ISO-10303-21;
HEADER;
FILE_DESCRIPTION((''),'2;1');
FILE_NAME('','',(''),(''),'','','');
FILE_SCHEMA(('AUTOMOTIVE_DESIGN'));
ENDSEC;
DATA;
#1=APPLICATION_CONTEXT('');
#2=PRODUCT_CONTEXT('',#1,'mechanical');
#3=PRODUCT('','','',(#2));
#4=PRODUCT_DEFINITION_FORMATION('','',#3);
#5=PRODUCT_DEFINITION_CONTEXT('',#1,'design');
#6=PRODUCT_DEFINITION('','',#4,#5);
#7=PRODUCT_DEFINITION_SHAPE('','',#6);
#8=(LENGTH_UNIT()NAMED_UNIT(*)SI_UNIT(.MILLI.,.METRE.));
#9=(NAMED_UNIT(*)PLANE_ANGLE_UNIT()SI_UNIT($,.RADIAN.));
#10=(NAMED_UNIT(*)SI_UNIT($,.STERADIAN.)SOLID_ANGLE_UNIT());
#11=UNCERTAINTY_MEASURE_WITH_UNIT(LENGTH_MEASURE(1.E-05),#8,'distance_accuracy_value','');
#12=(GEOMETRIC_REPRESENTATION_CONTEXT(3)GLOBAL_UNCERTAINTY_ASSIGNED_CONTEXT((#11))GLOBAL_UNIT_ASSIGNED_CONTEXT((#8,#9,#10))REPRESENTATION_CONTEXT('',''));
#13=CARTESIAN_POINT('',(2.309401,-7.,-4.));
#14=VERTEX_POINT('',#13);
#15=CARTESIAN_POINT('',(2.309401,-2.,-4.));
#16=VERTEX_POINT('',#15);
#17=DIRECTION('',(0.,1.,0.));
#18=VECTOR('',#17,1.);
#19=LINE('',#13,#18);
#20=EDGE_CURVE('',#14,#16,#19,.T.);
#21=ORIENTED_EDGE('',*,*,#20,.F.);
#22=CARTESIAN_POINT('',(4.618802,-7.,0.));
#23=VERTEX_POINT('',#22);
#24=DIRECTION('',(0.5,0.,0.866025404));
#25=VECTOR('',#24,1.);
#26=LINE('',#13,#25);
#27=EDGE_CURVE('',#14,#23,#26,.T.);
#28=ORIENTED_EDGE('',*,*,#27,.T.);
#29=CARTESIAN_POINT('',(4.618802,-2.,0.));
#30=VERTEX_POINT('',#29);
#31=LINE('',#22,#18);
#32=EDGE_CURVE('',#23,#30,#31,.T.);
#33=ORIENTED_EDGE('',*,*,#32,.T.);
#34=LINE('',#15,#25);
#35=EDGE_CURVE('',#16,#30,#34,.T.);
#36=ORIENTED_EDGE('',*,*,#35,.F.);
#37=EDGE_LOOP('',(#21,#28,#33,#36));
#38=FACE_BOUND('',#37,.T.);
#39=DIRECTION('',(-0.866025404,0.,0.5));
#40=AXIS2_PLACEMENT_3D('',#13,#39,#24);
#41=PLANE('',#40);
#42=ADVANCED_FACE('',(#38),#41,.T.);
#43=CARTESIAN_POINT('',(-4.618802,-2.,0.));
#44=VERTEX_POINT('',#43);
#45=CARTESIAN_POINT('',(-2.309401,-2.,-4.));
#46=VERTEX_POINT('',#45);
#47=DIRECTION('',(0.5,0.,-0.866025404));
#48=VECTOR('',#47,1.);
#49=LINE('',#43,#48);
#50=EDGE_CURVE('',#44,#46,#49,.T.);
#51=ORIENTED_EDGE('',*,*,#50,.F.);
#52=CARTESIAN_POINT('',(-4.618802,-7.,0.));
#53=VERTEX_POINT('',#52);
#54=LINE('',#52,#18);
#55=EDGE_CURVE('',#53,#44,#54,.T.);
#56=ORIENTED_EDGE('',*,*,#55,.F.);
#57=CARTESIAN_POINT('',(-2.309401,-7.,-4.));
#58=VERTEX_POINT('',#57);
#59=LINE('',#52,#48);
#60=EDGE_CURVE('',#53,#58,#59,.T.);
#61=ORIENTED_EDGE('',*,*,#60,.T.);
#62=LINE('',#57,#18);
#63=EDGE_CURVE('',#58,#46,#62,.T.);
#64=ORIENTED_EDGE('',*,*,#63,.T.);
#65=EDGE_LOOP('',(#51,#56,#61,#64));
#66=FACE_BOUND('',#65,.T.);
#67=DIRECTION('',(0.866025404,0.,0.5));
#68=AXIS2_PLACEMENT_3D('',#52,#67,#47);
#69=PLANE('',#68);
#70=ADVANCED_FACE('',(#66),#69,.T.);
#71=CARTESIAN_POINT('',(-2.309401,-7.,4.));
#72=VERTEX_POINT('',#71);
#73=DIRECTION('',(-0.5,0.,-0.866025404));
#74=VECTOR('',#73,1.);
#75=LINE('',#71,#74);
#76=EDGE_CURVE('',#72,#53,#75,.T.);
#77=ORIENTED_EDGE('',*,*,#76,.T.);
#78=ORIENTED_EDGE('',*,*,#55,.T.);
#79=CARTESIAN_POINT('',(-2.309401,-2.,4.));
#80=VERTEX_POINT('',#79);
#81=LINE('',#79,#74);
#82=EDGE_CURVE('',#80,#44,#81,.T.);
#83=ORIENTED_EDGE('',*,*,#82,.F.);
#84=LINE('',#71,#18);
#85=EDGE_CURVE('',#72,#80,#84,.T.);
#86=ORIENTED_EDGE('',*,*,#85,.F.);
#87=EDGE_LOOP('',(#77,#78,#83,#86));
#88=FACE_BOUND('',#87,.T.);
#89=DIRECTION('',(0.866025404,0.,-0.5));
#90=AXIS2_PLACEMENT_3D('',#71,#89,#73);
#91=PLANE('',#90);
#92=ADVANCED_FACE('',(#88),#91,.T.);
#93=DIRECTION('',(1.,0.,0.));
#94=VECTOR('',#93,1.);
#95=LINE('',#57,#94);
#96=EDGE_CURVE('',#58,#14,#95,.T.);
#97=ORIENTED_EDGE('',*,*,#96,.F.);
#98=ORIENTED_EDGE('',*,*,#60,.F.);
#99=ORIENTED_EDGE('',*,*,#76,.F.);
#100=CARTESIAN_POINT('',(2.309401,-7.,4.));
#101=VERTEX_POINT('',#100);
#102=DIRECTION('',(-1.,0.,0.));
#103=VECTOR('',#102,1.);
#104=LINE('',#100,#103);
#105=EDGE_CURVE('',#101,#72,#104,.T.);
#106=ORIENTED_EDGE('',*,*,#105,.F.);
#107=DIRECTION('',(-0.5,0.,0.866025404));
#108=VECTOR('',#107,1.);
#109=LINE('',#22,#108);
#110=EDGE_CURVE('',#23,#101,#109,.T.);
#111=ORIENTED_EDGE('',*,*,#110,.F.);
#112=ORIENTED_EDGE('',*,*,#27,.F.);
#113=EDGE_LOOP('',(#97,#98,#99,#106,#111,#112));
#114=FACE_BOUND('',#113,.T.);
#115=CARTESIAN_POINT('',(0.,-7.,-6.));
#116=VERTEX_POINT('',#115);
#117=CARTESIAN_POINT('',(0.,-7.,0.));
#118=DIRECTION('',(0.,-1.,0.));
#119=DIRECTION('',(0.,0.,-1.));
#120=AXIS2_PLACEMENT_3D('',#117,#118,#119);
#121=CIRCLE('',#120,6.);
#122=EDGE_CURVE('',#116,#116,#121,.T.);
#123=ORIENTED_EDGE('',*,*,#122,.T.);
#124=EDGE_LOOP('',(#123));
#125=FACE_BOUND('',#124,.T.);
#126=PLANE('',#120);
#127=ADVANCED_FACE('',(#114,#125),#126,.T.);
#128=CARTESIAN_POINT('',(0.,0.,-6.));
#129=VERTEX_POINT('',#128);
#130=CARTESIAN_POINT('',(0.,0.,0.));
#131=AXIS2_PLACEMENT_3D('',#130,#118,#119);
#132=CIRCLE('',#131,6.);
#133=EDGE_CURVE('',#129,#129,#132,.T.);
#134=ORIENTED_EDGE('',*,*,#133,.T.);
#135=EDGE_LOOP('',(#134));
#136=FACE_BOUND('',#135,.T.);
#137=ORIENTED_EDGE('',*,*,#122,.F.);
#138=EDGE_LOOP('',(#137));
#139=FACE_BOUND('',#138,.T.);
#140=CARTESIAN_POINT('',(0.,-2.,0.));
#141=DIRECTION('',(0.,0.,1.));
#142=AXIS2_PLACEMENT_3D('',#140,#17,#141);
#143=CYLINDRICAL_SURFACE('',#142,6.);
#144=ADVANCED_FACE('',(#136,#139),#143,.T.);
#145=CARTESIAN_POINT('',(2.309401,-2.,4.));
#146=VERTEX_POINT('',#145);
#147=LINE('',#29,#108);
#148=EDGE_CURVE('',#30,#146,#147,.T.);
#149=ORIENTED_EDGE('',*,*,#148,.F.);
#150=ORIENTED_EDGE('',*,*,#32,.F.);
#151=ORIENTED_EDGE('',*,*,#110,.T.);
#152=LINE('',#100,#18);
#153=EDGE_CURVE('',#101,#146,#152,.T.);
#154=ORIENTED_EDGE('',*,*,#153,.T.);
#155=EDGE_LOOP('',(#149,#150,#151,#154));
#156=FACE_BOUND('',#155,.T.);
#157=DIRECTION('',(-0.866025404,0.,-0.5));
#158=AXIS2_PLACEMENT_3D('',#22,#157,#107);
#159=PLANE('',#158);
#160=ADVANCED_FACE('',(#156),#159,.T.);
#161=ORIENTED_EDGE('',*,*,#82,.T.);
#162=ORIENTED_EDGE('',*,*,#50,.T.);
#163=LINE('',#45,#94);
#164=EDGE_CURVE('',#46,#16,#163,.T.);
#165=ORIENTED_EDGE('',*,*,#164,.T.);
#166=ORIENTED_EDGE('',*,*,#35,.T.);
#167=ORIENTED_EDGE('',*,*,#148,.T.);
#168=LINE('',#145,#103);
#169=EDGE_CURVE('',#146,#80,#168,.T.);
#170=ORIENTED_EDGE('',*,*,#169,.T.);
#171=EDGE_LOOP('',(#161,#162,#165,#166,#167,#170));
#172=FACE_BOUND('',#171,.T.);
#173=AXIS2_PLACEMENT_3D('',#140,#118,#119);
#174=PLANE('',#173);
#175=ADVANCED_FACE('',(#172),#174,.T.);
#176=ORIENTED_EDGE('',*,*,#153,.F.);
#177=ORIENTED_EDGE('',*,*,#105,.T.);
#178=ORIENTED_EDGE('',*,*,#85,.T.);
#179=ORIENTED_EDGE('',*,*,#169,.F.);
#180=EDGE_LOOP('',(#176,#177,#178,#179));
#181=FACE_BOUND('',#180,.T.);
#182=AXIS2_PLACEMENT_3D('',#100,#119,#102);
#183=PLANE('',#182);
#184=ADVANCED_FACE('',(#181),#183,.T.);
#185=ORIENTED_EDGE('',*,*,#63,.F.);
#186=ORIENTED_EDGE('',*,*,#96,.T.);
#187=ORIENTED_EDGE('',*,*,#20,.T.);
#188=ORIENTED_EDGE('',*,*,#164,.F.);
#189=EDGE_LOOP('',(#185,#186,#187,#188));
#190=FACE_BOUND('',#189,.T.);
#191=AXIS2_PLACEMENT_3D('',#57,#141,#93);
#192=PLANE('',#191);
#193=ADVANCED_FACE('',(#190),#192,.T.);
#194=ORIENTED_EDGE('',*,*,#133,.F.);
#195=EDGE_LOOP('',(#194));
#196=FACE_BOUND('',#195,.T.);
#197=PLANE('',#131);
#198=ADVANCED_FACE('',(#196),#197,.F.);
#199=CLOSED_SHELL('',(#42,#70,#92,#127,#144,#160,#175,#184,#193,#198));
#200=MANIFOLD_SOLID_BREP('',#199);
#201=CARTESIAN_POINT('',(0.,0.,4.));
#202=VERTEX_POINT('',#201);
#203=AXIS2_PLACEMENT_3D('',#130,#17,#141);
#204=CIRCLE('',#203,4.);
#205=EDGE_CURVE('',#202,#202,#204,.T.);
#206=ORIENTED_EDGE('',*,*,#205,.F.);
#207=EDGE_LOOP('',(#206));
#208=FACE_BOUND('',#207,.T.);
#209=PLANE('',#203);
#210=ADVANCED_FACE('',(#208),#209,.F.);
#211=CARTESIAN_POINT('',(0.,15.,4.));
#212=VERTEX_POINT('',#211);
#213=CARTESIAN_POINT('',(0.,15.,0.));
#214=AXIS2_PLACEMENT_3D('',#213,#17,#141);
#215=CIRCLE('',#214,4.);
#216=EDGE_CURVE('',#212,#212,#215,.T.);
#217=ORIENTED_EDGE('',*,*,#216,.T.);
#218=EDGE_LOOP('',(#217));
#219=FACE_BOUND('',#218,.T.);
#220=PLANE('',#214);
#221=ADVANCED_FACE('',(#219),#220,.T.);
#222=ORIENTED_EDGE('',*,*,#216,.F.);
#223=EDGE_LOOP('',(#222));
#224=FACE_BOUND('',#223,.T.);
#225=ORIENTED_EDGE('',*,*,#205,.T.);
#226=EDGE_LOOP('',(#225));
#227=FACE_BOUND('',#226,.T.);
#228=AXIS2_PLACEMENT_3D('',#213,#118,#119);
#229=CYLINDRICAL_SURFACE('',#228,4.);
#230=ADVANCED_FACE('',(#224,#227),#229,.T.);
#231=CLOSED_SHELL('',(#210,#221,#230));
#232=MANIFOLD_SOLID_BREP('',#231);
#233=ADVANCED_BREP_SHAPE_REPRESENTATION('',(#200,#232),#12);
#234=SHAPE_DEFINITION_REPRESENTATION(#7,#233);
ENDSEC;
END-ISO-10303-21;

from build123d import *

# Parameters (mm, degrees)
SKETCH1_R           = 4
BOSS_EXTRUDE1_DEPTH = 15
SKETCH2_R           = 6
SKETCH2_R_2         = 4
BOSS_EXTRUDE2_DEPTH = 2
SKETCH3_R           = 6
BOSS_EXTRUDE3_DEPTH = 5


with BuildPart() as part:
    # Sketch1 → Boss-Extrude1 (new body)
    with BuildSketch(Plane(origin=(0, 0, 0), x_dir=(1, 0, 0), z_dir=(0, 1, 0))):
        with Locations(Location((0, 0, 0), (0, 0, 270))):
            Circle(SKETCH1_R)
    extrude(amount=BOSS_EXTRUDE1_DEPTH)


with BuildPart() as body_2:
    # Sketch2 → Boss-Extrude2 (new body)
    with BuildSketch(Plane.XZ):
        with Locations(Location((0, 0, 0), (0, 0, 270))):
            Circle(SKETCH2_R)
        with Locations(Location((0, 0, 0), (0, 0, 90))):
            Circle(SKETCH2_R_2, mode=Mode.SUBTRACT)
        with Locations(Location((0, 0, 0), (0, 0, 90))):
            Circle(SKETCH2_R_2)
    extrude(amount=BOSS_EXTRUDE2_DEPTH)

    # Sketch3 → Boss-Extrude3 (add)
    with BuildSketch(Plane.XZ.offset(2)):
        with Locations(Location((0, 0, 0), (0, 0, 270))):
            Circle(SKETCH3_R)
        Polygon((4.618802154, 0), (2.309401077, 4), (-2.309401077, 4), (-4.618802154, 0), (-2.309401077, -4), (2.309401077, -4), align=None, mode=Mode.SUBTRACT)
    extrude(amount=BOSS_EXTRUDE3_DEPTH)


solid = Compound([part.part, body_2.part])
